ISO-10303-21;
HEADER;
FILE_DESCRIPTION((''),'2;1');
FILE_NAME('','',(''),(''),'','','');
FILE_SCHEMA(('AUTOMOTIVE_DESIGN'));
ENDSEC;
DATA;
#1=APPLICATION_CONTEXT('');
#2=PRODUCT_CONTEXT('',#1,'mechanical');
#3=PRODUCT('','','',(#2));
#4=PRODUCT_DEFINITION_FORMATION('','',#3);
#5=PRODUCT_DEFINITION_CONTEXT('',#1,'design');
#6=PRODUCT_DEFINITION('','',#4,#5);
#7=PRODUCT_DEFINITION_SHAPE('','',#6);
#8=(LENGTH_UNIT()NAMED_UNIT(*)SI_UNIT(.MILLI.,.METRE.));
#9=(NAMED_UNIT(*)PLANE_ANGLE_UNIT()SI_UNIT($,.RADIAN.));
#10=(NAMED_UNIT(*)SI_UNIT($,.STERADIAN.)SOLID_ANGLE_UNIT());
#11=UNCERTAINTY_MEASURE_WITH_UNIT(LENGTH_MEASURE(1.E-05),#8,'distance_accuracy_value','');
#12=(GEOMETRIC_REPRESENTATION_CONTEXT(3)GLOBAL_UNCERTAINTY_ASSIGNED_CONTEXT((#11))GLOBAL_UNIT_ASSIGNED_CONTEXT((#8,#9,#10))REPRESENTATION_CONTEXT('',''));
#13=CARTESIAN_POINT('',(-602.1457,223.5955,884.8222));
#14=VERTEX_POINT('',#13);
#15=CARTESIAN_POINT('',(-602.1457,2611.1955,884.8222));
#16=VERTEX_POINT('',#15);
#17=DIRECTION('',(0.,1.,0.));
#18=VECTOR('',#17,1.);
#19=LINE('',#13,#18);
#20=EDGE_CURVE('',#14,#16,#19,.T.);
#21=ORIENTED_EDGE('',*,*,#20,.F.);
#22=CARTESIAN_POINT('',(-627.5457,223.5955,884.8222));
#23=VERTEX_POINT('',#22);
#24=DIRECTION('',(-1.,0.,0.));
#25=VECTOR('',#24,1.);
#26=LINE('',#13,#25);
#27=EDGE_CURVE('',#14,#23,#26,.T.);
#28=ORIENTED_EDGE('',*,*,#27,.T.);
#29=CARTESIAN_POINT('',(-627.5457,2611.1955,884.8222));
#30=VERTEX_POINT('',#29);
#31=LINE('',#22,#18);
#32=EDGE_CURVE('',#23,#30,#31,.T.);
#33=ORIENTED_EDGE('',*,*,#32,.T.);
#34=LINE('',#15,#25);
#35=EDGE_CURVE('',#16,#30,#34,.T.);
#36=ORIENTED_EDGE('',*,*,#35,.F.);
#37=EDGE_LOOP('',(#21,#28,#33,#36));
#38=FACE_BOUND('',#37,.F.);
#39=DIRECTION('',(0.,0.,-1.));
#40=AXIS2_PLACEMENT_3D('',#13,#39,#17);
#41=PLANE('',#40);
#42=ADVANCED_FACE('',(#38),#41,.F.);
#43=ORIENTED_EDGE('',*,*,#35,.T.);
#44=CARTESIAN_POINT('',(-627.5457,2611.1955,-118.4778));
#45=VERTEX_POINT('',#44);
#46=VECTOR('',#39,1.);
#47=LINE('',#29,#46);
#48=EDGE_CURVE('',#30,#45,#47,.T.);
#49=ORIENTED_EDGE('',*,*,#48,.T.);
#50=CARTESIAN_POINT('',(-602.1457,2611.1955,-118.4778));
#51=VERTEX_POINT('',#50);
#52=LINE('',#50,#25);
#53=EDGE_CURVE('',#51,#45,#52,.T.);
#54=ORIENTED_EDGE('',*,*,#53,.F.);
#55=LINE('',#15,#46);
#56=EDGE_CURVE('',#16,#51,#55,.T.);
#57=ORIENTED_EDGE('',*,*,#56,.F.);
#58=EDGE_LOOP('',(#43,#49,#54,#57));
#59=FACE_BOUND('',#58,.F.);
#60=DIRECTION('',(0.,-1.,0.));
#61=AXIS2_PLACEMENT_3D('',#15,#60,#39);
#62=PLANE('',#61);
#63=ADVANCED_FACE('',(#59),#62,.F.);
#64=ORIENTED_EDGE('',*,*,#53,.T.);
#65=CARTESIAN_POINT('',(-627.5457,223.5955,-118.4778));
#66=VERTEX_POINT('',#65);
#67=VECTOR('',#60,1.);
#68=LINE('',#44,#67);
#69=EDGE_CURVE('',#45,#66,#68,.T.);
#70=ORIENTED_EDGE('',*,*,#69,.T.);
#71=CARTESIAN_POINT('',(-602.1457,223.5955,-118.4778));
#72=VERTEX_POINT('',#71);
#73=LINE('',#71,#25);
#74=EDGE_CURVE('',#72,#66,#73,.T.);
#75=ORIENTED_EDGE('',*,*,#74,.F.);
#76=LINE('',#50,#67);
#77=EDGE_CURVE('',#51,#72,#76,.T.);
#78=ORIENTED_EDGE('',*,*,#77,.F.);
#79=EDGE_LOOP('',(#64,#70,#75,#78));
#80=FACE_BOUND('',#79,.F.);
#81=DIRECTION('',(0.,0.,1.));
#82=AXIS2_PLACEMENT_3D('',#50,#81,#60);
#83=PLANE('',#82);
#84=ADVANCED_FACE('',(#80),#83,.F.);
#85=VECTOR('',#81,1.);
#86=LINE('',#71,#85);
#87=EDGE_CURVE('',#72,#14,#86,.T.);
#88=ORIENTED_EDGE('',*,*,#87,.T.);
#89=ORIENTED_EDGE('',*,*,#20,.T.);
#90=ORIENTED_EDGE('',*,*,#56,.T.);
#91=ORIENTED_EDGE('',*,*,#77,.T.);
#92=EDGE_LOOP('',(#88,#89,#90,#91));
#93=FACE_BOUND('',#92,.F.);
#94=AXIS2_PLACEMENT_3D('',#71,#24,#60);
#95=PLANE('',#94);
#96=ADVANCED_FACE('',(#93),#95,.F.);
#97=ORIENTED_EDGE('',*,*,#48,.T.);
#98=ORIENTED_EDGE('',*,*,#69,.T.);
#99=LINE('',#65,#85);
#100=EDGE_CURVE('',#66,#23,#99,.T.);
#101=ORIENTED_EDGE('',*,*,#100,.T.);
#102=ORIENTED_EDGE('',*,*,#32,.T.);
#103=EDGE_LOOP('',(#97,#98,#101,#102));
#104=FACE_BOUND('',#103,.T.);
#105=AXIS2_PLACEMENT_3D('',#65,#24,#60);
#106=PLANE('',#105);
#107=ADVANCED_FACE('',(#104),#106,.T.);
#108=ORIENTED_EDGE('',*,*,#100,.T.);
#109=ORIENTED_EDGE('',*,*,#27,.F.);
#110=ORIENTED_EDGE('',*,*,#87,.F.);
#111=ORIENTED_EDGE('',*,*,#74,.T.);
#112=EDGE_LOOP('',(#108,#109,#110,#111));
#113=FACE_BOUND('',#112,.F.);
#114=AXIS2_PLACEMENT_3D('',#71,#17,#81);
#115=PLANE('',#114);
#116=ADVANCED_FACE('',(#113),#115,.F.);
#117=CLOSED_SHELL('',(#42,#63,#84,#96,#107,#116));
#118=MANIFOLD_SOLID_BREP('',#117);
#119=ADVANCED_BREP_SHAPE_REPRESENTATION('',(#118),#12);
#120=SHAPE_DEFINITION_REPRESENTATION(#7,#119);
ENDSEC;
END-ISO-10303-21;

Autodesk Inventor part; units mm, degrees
ref_plane "YZ Plane" through (0, 0, 0) normal (1, 0, 0) x (0, 1, 0)
ref_plane "XZ Plane" through (0, 0, 0) normal (0, 1, 0) x (-1, 0, 0)
ref_plane "XY Plane" through (0, 0, 0) normal (0, 0, 1) x (1, 0, 0)
ref_plane "Work Plane1" through (-602.1457, 223.5955, -118.4778) normal (-1, 0, 0) x (0, -1, 0)
sketch "Sketch1" plane through (-602.1457, 223.5955, -118.4778) normal (-1, 0, 0) x (0, -1, 0)
  line L0 (0, 0) -> (0, 1003.3) projected
  line L1 (0, 1003.3) -> (-2387.6, 1003.3)
  line L2 (-2387.6, 1003.3) -> (-2387.6, 0)
  line L3 (-2387.6, 0) -> (0, 0)
  point P0 (223.5955, 118.4778)
  dimension "d0" = 2387.6
  dimension "d1" = 1003.3
extrude "Extrusion1" add sketch "Sketch1" along normal blind 25.4
properties part number "LEFT WALL"
